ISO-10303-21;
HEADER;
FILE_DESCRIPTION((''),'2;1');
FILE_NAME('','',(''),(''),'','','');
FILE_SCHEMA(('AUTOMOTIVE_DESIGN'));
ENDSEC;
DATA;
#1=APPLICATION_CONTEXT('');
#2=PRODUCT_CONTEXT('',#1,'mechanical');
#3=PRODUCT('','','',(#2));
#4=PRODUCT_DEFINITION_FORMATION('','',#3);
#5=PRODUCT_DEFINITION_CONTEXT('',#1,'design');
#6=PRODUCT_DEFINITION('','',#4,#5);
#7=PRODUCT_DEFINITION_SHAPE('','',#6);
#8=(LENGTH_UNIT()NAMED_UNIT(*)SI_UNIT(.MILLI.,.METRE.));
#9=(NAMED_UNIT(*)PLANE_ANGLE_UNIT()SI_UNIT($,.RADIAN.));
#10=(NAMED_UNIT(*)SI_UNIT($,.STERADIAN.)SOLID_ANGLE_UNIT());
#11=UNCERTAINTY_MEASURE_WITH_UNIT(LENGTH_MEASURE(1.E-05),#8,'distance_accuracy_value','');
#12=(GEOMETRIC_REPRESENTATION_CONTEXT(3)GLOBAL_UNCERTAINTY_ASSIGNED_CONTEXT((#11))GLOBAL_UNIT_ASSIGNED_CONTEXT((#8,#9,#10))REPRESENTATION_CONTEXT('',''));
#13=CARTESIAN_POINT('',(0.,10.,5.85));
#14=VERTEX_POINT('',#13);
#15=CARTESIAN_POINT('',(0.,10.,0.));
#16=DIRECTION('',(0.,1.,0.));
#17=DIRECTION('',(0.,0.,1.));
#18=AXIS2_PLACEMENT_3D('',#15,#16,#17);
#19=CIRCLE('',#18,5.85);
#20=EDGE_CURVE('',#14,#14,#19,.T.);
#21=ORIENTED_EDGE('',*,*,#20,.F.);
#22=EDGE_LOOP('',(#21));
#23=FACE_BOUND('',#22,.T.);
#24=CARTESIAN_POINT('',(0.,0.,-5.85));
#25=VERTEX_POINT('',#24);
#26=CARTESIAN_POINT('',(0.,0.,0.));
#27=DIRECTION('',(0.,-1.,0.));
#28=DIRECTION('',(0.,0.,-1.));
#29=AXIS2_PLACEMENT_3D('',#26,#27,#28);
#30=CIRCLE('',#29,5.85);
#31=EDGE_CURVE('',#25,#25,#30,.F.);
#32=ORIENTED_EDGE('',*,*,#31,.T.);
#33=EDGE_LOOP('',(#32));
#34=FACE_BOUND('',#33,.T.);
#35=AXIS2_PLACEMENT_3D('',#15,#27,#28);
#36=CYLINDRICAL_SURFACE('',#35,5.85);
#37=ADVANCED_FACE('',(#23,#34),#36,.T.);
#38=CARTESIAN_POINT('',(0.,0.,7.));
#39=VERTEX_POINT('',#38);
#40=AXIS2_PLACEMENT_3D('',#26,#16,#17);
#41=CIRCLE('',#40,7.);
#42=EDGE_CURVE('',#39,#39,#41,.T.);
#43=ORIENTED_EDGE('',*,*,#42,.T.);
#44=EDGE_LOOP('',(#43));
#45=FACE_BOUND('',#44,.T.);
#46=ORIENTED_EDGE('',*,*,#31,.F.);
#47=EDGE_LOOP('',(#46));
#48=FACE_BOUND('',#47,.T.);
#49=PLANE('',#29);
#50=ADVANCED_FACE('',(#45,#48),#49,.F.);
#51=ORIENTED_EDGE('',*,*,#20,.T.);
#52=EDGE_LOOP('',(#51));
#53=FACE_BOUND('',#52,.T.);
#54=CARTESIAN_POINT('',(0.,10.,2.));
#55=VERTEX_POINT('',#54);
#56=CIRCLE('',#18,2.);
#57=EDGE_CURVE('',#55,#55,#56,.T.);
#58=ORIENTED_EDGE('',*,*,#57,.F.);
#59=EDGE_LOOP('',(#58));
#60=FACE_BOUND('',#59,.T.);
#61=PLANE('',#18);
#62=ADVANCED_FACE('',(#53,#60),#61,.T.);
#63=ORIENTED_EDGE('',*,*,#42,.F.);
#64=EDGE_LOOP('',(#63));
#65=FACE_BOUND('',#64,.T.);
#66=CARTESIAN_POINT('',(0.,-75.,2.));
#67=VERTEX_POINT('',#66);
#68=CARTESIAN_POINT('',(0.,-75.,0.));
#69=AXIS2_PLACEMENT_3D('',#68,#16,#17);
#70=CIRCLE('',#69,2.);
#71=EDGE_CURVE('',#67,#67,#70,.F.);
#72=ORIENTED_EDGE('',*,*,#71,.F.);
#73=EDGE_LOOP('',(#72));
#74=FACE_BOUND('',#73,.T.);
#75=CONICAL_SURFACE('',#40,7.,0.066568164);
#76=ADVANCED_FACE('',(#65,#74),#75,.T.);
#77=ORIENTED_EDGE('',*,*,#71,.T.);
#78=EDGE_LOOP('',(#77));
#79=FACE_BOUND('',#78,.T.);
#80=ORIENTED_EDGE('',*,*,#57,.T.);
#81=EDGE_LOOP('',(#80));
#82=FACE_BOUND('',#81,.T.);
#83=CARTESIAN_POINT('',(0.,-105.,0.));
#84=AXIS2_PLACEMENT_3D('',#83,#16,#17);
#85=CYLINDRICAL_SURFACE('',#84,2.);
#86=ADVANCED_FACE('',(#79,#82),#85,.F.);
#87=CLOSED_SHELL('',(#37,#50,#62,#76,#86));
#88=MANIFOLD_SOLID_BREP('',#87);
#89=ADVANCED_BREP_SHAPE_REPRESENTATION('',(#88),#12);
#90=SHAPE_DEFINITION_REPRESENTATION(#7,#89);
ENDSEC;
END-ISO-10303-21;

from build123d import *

# Parameters (mm, degrees)
SKETCH1_R               = 5.85
BOSS_EXTRUDE1_DEPTH     = 10
SKETCH1_4_R             = 2
CUT_EXTRUDE1_DEPTH      = 11
CUT_EXTRUDE1_DEPTH_BACK = 106


with BuildPart() as part:
    # Sketch2 → Revolve1 (revolve)
    with BuildSketch(Plane(origin=(0, 0, 0), x_dir=(0, 0, -1), z_dir=(1, 0, 0))):
        Polygon((0, -105), (7, 0), (0, 0), align=None)
    revolve(axis=Axis((0, 0, 0), (0, -1, 0)))

    # Sketch1 → Boss-Extrude1 (add)
    with BuildSketch(Plane(origin=(0, 0, 0), x_dir=(1, 0, 0), z_dir=(0, 1, 0))):
        Circle(SKETCH1_R)
    extrude(amount=BOSS_EXTRUDE1_DEPTH)

    # Sketch1<4> → Cut-Extrude1 (cut, two sides)
    with BuildSketch(Plane(origin=(0, 0, 0), x_dir=(1, 0, 0), z_dir=(0, 1, 0))) as cut_extrude1_sk:
        Circle(SKETCH1_4_R)
    extrude(amount=CUT_EXTRUDE1_DEPTH, mode=Mode.SUBTRACT)
    extrude(cut_extrude1_sk.sketch, amount=-CUT_EXTRUDE1_DEPTH_BACK, mode=Mode.SUBTRACT)


solid = part.part
